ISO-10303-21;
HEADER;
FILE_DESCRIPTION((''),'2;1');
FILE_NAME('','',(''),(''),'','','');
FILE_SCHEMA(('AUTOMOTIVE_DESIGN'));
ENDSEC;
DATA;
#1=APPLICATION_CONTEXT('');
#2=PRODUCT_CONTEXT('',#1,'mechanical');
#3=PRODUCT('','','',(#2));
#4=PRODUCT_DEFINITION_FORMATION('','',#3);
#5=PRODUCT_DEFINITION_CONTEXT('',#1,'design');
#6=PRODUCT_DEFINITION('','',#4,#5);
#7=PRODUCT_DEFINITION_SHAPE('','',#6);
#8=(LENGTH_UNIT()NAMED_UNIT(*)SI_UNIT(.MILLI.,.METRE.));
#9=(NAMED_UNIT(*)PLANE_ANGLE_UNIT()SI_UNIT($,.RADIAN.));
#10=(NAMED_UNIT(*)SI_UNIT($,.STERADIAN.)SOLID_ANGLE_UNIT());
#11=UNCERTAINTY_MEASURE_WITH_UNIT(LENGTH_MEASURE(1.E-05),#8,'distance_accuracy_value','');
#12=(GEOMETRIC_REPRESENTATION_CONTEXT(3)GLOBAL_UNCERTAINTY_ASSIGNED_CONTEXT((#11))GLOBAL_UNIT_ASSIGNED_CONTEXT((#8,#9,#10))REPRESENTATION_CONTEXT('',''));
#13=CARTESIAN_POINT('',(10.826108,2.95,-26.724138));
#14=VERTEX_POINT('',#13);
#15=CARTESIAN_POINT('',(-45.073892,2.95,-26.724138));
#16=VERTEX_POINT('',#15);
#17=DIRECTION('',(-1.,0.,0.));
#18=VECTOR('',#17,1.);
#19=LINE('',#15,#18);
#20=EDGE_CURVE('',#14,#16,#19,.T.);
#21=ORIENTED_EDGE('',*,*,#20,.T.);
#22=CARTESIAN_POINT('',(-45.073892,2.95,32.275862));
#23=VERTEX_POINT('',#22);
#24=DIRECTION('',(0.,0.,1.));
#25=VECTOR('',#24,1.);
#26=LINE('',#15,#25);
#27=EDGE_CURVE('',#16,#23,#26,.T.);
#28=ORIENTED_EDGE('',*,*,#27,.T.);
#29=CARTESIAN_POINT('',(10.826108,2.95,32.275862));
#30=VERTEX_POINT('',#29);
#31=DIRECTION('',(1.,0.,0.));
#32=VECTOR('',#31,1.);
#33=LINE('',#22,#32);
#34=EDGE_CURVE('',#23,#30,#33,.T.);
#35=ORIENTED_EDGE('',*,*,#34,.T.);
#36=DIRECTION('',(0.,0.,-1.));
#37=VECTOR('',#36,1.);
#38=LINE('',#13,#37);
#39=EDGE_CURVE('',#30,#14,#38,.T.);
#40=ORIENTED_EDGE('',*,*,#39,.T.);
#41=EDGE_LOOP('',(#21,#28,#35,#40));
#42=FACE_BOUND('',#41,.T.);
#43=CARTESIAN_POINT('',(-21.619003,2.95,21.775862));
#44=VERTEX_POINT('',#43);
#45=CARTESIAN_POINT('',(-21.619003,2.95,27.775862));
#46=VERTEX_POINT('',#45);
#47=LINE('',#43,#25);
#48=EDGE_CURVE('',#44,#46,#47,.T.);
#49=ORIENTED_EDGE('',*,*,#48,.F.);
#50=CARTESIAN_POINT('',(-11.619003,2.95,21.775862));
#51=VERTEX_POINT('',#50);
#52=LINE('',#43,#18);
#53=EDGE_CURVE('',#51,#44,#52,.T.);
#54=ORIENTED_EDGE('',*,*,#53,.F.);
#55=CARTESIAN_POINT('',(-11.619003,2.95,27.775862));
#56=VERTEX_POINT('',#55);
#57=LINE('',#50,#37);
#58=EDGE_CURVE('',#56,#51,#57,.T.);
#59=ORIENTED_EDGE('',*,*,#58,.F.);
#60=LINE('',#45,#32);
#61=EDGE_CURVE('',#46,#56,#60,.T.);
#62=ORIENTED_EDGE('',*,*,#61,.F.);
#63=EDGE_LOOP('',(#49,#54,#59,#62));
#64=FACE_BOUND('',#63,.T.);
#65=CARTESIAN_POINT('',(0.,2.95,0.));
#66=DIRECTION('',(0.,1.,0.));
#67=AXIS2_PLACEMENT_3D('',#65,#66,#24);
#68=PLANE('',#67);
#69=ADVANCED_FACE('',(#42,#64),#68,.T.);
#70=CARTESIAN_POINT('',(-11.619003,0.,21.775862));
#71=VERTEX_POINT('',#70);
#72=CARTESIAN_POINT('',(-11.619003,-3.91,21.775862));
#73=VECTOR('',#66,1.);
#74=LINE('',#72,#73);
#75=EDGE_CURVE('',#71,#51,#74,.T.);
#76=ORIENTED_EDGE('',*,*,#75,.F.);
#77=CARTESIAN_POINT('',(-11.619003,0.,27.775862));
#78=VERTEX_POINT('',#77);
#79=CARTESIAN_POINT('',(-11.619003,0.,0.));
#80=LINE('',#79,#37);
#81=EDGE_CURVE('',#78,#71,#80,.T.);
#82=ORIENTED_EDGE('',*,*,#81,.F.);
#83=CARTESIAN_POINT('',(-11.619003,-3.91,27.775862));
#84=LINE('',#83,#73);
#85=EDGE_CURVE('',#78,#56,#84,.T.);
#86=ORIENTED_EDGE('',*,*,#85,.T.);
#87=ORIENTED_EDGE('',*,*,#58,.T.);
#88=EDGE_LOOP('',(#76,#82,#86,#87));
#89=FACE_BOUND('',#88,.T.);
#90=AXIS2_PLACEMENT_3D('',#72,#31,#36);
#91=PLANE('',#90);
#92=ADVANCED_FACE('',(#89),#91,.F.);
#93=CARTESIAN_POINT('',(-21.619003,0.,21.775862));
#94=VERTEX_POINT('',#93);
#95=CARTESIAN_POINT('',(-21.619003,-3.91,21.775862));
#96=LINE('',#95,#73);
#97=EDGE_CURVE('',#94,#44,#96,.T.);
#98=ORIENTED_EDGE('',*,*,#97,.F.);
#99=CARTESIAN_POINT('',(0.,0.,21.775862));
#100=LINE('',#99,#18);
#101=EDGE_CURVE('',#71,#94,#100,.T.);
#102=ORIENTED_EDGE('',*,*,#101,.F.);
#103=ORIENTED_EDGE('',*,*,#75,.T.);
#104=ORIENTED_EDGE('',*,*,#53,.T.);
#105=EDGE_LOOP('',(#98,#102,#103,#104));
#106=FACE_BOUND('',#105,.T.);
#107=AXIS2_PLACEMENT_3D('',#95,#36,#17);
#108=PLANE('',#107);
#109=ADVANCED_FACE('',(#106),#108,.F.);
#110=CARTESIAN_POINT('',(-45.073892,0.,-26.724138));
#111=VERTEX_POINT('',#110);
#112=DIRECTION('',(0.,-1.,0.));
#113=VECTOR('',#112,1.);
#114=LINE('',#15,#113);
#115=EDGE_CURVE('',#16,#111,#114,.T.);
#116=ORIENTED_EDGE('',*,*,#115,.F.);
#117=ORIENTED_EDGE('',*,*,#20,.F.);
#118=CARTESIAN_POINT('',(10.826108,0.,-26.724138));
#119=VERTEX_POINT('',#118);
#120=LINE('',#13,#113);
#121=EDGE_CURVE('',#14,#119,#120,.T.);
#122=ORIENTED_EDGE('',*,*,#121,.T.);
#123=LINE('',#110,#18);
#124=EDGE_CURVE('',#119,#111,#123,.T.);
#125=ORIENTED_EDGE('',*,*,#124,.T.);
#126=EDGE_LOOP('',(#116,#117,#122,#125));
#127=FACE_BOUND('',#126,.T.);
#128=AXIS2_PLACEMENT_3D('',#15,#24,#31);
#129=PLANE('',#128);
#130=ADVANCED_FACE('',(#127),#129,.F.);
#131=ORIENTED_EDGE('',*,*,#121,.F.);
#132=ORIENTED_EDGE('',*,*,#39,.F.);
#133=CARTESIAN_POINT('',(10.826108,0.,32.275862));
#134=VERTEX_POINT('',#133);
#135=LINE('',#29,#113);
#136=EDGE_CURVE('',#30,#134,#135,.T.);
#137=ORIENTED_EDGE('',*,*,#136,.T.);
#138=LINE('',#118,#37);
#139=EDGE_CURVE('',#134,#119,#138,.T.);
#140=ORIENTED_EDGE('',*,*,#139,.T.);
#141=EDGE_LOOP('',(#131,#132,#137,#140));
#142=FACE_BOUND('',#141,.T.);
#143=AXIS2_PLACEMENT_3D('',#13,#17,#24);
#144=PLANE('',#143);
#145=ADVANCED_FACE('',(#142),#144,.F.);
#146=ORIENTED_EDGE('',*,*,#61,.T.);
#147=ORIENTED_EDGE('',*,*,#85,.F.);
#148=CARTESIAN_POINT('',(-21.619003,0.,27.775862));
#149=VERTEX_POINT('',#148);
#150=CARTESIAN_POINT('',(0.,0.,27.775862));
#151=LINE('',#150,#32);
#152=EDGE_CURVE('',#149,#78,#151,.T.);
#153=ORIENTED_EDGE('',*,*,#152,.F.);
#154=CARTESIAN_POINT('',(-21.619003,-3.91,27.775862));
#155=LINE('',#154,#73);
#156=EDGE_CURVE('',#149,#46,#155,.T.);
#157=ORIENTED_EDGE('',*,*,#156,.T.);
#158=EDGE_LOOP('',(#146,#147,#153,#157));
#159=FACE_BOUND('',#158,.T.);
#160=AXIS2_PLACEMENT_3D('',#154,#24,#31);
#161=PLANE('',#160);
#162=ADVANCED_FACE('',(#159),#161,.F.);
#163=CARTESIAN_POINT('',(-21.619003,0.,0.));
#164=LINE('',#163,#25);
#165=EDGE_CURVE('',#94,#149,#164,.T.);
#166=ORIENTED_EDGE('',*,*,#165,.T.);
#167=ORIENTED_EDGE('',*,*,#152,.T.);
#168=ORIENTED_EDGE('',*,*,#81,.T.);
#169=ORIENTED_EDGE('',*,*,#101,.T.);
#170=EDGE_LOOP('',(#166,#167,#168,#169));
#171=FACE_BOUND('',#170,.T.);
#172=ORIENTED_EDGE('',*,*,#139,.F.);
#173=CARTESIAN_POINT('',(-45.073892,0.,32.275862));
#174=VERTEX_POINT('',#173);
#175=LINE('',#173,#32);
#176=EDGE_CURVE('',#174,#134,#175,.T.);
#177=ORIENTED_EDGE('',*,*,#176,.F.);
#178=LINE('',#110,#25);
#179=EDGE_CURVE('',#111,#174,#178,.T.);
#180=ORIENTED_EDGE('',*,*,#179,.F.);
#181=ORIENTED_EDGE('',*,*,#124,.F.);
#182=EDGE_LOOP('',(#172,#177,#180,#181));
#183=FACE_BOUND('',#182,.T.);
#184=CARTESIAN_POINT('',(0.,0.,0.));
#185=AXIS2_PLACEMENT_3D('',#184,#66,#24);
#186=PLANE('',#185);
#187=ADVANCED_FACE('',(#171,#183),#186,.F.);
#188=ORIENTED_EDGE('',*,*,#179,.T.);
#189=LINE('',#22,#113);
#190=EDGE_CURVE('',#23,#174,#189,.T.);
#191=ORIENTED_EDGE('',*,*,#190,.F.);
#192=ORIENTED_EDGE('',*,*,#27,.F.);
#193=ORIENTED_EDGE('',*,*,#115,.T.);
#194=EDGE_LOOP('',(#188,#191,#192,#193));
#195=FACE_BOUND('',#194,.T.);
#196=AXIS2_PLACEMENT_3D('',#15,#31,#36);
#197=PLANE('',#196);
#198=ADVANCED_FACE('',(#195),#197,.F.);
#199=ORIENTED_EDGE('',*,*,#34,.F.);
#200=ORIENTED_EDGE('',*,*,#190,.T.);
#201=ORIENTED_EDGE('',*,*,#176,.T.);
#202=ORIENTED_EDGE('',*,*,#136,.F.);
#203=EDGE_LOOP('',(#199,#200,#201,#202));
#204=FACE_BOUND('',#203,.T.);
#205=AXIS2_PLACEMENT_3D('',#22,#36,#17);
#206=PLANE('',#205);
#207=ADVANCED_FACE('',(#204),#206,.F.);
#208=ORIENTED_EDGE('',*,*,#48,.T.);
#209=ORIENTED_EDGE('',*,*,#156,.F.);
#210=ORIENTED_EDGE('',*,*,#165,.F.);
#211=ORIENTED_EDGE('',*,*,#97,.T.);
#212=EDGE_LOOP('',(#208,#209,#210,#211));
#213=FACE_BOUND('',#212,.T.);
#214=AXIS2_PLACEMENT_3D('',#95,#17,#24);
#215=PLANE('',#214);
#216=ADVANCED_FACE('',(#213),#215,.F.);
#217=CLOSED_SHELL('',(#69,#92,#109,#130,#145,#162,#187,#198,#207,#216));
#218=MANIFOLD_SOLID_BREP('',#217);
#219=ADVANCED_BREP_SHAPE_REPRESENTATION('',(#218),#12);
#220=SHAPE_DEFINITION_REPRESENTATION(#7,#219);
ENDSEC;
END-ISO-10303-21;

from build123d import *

# Parameters (mm, degrees)
SKETCH1_W           = 55.9
SKETCH1_H           = 59
BOSS_EXTRUDE1_DEPTH = 2.95
SKETCH4_W           = 10
SKETCH4_H           = 6
CUT_EXTRUDE2_DEPTH  = 6.86


with BuildPart() as part:
    # Sketch1 → Boss-Extrude1 (new body)
    with BuildSketch(Plane(origin=(0, 0, 0), x_dir=(1, 0, 0), z_dir=(0, 1, 0))):
        with Locations((-17.123891626, -2.775862069)):
            Rectangle(SKETCH1_W, SKETCH1_H)
    extrude(amount=BOSS_EXTRUDE1_DEPTH)

    # Sketch4 → Cut-Extrude2 (cut)
    with BuildSketch(Plane(origin=(0, 2.95, 0), x_dir=(1, 0, 0), z_dir=(0, 1, 0))):
        with Locations((-16.619002629, -24.775862069)):
            Rectangle(SKETCH4_W, SKETCH4_H)
    extrude(amount=-CUT_EXTRUDE2_DEPTH, mode=Mode.SUBTRACT)


solid = part.part
